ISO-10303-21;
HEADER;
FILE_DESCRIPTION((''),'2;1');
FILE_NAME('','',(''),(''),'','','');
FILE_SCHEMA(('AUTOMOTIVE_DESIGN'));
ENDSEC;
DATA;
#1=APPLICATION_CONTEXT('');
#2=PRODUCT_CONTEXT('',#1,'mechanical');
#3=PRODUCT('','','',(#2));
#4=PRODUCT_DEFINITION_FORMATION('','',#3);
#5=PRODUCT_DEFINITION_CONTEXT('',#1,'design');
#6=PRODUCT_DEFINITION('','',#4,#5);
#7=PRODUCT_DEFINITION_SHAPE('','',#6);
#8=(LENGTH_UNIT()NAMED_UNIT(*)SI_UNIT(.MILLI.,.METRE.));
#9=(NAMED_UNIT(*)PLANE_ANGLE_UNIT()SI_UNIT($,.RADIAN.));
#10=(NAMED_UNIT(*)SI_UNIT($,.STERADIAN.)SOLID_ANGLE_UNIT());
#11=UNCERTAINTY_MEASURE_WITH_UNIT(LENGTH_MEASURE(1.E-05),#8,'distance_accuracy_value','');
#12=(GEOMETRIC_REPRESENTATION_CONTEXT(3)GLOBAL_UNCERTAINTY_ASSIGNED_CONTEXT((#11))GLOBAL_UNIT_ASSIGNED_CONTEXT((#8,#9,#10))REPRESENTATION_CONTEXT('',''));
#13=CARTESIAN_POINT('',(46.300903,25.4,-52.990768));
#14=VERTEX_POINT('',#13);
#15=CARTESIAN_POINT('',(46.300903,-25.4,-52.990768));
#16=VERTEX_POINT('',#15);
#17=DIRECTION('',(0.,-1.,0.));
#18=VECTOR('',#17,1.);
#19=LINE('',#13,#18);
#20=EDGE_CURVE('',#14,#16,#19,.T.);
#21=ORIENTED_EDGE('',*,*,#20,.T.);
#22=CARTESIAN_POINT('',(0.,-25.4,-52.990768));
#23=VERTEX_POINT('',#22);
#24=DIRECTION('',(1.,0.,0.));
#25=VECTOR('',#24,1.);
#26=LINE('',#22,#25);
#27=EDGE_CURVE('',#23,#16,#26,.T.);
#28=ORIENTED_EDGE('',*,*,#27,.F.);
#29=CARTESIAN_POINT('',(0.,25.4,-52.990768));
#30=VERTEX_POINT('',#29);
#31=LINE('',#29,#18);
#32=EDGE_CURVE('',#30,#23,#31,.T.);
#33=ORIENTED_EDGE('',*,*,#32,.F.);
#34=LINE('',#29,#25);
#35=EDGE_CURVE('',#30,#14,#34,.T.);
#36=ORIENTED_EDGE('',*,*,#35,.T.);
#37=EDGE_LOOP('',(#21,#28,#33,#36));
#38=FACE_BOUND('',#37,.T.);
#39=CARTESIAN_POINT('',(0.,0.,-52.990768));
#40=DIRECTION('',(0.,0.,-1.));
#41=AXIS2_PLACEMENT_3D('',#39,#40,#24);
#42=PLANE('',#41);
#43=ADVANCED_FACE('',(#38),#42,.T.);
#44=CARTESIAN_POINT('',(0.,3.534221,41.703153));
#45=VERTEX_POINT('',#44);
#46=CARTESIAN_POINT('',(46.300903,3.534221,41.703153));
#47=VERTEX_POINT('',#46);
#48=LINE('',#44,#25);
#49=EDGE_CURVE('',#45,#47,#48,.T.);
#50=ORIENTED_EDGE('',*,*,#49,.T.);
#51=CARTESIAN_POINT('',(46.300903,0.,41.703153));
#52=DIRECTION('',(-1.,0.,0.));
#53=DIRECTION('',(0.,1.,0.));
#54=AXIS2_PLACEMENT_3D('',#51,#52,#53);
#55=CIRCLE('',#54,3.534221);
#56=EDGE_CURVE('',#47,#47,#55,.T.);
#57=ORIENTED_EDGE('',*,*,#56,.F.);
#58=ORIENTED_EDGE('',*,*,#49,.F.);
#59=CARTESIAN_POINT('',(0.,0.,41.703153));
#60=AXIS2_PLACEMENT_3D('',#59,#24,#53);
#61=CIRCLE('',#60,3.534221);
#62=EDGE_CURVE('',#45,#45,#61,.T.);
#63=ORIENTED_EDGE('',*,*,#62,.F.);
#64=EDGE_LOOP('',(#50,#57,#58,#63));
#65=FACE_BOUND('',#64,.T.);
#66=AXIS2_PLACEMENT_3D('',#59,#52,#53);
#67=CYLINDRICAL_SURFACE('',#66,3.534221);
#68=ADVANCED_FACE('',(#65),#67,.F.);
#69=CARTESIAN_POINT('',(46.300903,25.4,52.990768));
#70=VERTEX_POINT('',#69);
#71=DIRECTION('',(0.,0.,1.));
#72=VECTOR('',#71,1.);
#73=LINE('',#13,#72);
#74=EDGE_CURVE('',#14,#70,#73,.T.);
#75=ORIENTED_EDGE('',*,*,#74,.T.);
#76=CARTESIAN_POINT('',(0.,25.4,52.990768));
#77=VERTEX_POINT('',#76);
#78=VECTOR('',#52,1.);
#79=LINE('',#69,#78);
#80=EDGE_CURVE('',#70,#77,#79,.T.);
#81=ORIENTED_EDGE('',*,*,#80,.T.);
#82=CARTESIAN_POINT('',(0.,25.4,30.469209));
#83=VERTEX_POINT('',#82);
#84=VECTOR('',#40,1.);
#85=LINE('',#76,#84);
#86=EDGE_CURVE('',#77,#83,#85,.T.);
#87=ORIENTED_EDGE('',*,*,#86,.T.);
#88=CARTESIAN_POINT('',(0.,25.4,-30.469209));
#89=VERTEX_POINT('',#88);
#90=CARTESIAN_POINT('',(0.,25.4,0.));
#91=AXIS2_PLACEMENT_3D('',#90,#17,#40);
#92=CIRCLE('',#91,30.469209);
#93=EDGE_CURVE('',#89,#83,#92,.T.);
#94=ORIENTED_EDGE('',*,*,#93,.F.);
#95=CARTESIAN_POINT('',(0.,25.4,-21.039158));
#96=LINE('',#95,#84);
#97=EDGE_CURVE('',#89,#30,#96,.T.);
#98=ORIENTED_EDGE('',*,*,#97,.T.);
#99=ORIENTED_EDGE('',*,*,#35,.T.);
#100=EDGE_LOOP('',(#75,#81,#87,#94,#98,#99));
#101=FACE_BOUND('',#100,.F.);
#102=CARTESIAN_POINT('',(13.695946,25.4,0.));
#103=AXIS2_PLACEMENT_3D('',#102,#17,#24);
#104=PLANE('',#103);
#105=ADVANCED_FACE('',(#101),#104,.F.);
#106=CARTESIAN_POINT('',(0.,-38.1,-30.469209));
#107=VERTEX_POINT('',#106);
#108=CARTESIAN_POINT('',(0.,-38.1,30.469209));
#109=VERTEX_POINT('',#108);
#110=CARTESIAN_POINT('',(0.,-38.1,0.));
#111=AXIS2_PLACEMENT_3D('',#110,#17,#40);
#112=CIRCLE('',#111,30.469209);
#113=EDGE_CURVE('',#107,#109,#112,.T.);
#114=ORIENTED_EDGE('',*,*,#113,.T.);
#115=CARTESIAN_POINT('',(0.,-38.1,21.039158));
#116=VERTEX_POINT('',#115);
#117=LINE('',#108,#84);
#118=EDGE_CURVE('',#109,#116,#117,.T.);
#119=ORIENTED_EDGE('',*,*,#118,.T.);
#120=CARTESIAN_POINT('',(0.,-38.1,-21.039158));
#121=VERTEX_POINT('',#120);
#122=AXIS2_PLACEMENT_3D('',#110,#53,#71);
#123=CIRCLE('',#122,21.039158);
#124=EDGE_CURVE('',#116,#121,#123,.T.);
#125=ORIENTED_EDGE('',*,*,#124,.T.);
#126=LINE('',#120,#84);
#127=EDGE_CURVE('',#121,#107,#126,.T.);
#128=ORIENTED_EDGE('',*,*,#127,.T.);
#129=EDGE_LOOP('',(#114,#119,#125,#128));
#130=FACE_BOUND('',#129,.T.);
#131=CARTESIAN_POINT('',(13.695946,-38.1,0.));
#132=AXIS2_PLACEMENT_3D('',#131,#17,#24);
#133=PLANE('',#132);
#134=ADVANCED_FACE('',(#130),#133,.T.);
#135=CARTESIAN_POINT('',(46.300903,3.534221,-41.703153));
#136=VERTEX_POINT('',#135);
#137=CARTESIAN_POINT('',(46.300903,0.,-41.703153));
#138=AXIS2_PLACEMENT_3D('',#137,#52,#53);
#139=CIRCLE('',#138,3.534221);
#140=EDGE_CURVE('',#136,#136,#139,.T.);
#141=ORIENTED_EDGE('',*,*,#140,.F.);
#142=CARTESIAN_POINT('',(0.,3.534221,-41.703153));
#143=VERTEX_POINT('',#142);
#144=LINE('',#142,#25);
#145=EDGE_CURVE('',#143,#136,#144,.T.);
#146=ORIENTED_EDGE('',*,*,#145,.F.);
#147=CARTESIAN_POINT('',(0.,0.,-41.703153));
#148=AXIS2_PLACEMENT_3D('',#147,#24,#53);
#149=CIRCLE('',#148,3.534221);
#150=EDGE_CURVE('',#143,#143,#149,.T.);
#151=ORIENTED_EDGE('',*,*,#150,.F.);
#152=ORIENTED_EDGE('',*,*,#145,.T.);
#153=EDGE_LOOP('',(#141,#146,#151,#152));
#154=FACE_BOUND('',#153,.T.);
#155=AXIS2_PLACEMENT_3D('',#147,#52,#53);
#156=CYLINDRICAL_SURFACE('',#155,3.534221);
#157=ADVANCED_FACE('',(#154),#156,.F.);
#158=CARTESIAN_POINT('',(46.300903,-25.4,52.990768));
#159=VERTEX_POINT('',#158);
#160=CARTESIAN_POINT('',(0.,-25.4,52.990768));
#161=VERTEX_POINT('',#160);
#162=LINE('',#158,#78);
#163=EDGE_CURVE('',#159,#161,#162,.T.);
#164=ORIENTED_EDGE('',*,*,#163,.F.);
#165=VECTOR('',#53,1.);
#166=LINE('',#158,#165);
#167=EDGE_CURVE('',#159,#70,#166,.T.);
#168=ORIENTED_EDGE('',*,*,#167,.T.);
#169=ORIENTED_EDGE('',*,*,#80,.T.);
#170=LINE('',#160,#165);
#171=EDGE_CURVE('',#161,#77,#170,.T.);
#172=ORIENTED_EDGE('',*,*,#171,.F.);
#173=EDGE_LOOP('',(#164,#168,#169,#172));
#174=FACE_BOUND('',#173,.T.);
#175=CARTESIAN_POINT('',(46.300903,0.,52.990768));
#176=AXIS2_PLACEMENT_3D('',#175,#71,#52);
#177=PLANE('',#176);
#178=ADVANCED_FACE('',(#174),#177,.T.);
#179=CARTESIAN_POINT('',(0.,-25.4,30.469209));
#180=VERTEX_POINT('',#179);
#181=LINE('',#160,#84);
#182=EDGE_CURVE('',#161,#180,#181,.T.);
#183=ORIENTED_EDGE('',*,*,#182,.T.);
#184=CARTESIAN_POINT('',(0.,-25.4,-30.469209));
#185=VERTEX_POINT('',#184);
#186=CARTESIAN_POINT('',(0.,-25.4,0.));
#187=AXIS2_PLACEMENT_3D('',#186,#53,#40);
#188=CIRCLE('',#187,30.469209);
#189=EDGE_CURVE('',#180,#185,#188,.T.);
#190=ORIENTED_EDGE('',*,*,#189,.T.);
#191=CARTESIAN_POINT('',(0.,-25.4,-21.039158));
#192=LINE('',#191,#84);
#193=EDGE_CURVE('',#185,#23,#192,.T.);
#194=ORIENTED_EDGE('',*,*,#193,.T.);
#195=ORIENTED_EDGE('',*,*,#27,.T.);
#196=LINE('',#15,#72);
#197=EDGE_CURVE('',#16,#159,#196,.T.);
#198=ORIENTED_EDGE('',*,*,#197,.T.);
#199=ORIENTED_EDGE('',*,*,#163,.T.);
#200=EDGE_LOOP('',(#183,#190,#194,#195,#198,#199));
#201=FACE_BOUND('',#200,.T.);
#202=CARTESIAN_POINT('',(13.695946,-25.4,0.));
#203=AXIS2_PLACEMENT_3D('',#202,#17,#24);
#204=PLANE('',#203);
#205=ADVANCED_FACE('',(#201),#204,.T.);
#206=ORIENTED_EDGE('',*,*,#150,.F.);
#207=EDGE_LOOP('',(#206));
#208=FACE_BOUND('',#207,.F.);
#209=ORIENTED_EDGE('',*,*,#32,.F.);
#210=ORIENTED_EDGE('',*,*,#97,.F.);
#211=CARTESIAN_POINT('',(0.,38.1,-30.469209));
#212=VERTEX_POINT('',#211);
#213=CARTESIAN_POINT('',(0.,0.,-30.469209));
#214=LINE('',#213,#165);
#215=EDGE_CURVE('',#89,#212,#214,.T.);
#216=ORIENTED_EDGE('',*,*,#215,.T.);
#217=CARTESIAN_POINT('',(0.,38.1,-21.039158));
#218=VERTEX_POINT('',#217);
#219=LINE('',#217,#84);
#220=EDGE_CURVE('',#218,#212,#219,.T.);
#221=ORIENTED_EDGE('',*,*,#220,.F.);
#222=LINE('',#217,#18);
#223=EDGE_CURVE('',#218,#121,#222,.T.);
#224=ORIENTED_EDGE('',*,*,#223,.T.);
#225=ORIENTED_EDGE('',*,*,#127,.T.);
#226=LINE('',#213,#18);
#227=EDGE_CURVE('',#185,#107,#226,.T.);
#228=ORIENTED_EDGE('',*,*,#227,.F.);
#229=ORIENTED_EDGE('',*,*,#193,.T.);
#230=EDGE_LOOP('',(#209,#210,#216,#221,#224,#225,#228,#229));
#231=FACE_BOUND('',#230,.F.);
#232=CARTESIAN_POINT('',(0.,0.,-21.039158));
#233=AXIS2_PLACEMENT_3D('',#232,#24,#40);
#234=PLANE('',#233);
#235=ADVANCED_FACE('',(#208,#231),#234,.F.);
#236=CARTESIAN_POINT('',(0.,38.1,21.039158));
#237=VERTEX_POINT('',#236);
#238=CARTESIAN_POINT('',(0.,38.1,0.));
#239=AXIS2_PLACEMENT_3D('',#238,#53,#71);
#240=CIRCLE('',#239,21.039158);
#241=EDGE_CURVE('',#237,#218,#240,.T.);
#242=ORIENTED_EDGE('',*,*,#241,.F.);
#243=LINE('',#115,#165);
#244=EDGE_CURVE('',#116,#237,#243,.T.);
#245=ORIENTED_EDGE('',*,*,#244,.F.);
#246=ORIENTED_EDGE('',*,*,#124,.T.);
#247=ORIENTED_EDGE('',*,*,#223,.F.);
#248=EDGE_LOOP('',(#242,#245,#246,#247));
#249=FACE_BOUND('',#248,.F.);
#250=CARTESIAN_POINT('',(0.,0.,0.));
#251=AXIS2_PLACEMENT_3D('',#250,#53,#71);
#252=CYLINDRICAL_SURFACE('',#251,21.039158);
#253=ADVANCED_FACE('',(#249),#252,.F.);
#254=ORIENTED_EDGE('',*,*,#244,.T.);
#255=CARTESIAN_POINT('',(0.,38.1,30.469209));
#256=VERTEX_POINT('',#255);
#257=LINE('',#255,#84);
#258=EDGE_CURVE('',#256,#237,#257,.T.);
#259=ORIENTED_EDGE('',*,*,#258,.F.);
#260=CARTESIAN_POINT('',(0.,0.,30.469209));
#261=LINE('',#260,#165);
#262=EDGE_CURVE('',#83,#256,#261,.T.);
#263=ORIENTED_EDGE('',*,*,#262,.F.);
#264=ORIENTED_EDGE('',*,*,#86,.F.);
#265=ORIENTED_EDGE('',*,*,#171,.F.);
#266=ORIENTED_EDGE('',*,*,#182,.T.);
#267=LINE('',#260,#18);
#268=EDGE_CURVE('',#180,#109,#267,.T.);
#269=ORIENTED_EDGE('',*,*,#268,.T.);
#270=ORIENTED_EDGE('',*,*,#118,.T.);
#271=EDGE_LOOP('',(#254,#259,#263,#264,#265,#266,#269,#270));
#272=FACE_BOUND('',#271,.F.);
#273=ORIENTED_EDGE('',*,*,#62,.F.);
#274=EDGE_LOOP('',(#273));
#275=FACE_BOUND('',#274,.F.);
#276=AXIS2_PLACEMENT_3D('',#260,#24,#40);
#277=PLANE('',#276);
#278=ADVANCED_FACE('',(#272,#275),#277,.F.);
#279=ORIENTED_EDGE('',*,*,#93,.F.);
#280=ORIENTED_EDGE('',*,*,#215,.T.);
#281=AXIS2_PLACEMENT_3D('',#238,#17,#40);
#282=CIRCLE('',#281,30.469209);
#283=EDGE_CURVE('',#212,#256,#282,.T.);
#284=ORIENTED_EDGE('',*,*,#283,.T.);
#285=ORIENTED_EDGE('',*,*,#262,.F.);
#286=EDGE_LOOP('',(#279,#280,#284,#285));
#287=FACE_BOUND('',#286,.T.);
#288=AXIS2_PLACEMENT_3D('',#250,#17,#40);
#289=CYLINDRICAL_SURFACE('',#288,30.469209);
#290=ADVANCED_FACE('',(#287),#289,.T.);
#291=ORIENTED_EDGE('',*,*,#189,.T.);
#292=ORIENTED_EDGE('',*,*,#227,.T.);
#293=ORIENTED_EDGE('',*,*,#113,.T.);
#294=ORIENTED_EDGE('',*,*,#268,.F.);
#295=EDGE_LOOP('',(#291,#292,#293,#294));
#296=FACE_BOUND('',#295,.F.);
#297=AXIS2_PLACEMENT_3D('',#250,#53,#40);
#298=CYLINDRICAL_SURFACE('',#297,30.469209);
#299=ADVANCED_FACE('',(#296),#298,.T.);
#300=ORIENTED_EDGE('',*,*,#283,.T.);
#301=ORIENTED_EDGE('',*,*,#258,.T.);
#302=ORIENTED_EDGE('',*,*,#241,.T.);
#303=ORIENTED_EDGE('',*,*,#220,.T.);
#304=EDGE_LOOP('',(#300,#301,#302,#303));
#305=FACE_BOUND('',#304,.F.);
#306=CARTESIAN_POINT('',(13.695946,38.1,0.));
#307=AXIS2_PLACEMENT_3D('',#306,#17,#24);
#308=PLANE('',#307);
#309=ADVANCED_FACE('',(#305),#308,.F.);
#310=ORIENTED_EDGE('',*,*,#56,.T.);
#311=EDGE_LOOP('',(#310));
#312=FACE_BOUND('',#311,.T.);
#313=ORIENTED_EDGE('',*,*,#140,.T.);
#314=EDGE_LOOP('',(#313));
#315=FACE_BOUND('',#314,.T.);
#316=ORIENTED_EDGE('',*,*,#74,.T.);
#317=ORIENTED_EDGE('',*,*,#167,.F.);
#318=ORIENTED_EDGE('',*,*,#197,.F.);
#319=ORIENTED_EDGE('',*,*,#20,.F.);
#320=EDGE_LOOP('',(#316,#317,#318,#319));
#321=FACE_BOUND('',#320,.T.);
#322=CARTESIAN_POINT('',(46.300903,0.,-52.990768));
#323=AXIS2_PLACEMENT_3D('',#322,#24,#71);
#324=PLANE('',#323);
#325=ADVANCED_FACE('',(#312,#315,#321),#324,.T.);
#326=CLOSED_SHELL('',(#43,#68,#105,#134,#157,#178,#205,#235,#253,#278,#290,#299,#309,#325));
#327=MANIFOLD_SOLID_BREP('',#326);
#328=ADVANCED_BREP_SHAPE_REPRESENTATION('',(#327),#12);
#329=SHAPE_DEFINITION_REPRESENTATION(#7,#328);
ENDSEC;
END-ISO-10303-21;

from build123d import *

# Parameters (mm, degrees)
F1_DEPTH      = 25.4
F1_DEPTH_BACK = 25.4
F2_DEPTH      = 38.1
F2_DEPTH_BACK = 38.1
F3_R          = 3.534221
F4_DEPTH      = 46.301903


with BuildPart() as f1:
    # F0 (on Front) → F1 (new body, two sides)
    with BuildSketch(Plane.XZ) as f1_sk:
        with BuildLine():
            ThreePointArc((0, 21.039158), (21.039158, 0), (0, -21.039158))
            Line((0, -21.039158), (0, -30.469209))
            ThreePointArc((0, -30.469209), (30.469209, 0), (0, 30.469209))
            Line((0, 30.469209), (0, 21.039158))
        make_face()
        with BuildLine():
            ThreePointArc((0, 30.469209), (30.469209, 0), (0, -30.469209))
            Line((0, -30.469209), (0, -52.990768))
            Line((0, -52.990768), (46.300903, -52.990768))
            Line((46.300903, -52.990768), (46.300903, 0))
            Line((46.300903, 0), (46.300903, 52.990768))
            Line((46.300903, 52.990768), (0, 52.990768))
            Line((0, 52.990768), (0, 30.469209))
        make_face()
    extrude(amount=F1_DEPTH)
    extrude(f1_sk.sketch, amount=-F1_DEPTH_BACK)

    # F0 (on Front) → F2 (join, two sides)
    with BuildSketch(Plane.XZ) as f2_sk:
        with BuildLine():
            ThreePointArc((0, 21.039158), (21.039158, 0), (0, -21.039158))
            Line((0, -21.039158), (0, -30.469209))
            ThreePointArc((0, -30.469209), (30.469209, 0), (0, 30.469209))
            Line((0, 30.469209), (0, 21.039158))
        make_face()
    extrude(amount=F2_DEPTH)
    extrude(f2_sk.sketch, amount=-F2_DEPTH_BACK)

    # F3 (on Right) → F4 (cut, through all)
    with BuildSketch(Plane.YZ):
        with Locations((0, -41.703153)):
            Circle(F3_R)
        with Locations((0, 41.703153)):
            Circle(F3_R)
    extrude(amount=F4_DEPTH, mode=Mode.SUBTRACT)


solid = f1.part
